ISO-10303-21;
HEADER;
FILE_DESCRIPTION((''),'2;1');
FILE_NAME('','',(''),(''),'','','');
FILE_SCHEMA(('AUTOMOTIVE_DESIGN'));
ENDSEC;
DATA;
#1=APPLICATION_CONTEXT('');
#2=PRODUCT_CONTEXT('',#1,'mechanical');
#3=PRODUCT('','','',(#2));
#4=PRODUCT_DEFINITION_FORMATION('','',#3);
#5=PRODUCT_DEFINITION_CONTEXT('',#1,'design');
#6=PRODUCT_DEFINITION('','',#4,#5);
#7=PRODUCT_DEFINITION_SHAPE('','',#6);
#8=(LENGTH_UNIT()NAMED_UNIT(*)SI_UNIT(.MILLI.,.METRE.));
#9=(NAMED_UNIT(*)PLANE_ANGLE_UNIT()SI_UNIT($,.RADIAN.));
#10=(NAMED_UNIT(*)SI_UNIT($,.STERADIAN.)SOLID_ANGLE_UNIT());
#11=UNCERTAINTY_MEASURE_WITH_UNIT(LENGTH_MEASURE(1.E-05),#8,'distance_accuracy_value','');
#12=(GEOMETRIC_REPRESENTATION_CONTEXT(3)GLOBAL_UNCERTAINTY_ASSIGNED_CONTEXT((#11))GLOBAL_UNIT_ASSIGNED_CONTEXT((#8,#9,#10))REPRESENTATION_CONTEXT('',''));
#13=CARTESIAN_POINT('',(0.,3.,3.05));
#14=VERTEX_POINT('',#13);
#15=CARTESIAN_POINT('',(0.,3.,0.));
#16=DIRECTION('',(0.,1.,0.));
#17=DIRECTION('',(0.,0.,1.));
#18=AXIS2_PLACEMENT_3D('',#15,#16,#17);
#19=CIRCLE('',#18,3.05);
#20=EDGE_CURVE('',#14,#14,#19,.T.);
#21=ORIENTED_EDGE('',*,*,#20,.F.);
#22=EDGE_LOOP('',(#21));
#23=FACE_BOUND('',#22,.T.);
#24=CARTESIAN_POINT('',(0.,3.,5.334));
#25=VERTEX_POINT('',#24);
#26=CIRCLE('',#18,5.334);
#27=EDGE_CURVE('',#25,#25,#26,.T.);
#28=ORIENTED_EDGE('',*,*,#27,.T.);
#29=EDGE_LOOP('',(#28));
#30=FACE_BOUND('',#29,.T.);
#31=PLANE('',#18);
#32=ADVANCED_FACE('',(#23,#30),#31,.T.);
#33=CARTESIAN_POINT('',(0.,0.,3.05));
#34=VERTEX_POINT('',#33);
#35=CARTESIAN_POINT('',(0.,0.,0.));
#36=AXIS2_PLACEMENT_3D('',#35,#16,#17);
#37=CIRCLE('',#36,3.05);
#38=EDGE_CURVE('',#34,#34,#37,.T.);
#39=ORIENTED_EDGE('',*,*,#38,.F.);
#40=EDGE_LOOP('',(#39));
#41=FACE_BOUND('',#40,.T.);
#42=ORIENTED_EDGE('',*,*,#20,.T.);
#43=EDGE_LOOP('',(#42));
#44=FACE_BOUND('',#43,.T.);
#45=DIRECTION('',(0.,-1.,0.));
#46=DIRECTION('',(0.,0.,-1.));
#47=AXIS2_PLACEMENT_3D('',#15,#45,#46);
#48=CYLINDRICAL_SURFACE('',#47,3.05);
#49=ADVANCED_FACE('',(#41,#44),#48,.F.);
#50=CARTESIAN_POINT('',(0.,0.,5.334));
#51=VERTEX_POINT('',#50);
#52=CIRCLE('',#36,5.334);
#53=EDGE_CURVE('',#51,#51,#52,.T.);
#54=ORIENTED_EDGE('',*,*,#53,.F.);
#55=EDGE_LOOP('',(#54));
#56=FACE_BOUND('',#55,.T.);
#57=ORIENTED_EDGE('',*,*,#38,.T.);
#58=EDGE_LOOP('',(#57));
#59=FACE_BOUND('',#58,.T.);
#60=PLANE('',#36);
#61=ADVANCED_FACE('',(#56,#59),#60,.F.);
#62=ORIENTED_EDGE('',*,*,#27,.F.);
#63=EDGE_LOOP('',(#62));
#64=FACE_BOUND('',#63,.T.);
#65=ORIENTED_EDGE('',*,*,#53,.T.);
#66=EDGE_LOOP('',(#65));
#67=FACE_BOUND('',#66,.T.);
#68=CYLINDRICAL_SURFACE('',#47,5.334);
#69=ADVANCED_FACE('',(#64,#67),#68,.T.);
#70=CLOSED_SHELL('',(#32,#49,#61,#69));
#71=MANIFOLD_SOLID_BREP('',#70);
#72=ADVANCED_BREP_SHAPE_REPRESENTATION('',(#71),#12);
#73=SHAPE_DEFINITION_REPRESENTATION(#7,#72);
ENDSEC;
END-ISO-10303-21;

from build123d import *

# Parameters (mm, degrees)
SKETCH1_R           = 5.334
SKETCH1_R_2         = 3.05
BOSS_EXTRUDE1_DEPTH = 3


with BuildPart() as part:
    # Sketch1 → Boss-Extrude1 (new body)
    with BuildSketch(Plane(origin=(0, 0, 0), x_dir=(1, 0, 0), z_dir=(0, 1, 0))):
        with Locations(Location((0, 0, 0), (0, 0, 270))):
            Circle(SKETCH1_R)
        with Locations(Location((0, 0, 0), (0, 0, 270))):
            Circle(SKETCH1_R_2, mode=Mode.SUBTRACT)
    extrude(amount=BOSS_EXTRUDE1_DEPTH)


solid = part.part
